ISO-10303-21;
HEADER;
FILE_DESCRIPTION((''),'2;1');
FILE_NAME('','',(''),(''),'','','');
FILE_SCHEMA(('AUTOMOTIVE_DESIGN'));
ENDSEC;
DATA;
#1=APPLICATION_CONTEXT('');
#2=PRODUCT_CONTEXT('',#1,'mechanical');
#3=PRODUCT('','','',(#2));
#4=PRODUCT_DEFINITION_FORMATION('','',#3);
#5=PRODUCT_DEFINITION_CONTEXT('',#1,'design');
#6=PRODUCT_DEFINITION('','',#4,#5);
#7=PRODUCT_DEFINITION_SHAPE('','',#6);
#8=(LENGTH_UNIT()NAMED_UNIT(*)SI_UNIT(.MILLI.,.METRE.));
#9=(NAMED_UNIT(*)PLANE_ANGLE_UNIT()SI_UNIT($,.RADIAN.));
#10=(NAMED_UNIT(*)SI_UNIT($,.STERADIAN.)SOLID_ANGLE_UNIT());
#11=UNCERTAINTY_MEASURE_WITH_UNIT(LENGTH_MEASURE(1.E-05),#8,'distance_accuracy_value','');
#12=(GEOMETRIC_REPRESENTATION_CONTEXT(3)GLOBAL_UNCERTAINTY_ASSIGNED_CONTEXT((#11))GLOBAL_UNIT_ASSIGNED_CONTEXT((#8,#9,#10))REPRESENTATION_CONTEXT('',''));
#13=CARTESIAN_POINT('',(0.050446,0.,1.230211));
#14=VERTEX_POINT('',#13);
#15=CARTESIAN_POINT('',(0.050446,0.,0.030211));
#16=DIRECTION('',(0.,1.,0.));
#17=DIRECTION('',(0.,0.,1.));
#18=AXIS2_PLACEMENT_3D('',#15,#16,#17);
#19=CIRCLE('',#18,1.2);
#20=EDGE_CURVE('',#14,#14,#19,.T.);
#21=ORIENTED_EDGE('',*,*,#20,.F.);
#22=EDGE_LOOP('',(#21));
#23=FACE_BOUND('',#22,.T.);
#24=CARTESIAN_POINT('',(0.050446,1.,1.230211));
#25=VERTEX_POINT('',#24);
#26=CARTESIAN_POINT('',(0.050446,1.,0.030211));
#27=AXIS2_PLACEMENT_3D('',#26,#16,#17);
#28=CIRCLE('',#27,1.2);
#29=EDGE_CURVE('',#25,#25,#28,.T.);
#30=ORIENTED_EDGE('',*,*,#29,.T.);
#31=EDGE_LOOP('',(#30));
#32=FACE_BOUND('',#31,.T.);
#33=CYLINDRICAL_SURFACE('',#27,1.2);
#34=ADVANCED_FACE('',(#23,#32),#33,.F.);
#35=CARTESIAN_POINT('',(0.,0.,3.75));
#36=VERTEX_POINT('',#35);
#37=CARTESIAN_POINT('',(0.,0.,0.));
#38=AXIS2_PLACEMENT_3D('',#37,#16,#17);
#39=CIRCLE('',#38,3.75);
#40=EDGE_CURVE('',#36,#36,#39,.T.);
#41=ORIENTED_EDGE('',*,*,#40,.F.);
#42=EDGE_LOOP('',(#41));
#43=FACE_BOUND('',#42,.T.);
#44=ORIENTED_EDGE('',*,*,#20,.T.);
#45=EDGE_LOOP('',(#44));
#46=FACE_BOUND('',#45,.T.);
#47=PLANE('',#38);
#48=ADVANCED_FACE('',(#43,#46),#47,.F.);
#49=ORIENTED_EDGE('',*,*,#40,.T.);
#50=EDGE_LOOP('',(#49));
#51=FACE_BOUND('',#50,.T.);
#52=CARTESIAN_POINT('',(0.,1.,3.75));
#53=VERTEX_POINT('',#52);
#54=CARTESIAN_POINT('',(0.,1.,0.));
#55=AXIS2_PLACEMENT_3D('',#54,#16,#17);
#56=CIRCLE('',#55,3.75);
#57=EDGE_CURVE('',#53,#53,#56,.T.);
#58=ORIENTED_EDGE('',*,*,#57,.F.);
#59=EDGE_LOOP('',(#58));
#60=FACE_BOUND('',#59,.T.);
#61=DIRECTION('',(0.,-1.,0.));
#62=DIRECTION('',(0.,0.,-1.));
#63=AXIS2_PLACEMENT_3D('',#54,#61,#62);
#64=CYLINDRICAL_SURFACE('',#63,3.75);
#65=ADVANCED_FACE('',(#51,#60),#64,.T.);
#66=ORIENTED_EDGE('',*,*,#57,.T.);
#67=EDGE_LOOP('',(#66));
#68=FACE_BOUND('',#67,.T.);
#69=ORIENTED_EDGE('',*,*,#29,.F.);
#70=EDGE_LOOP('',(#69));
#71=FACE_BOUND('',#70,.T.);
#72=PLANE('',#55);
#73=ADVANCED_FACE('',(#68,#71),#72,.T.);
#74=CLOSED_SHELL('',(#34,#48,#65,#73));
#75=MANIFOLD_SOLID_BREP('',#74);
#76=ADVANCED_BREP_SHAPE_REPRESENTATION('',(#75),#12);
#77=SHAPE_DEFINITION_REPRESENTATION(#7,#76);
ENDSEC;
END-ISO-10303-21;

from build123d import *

# Parameters (mm, degrees)
SKETCH1_R            = 3.75
BOSS_EXTRUDE1_DEPTH  = 1
M2_CLEARANCE_HOLE1_D = 2.4


with BuildPart() as part:
    # Sketch1 → Boss-Extrude1 (new body)
    with BuildSketch(Plane(origin=(0, 0, 0), x_dir=(1, 0, 0), z_dir=(0, 1, 0))):
        with Locations(Location((0, 0, 0), (0, 0, 270))):
            Circle(SKETCH1_R)
    extrude(amount=BOSS_EXTRUDE1_DEPTH)

    # M2 Clearance Hole1 (through all)
    with Locations(Plane(origin=(0, 1, 0), x_dir=(1, 0, 0), z_dir=(0, 1, 0))):
        with Locations((0.050446394, -0.030211061)):
            Hole(M2_CLEARANCE_HOLE1_D / 2)


solid = part.part
